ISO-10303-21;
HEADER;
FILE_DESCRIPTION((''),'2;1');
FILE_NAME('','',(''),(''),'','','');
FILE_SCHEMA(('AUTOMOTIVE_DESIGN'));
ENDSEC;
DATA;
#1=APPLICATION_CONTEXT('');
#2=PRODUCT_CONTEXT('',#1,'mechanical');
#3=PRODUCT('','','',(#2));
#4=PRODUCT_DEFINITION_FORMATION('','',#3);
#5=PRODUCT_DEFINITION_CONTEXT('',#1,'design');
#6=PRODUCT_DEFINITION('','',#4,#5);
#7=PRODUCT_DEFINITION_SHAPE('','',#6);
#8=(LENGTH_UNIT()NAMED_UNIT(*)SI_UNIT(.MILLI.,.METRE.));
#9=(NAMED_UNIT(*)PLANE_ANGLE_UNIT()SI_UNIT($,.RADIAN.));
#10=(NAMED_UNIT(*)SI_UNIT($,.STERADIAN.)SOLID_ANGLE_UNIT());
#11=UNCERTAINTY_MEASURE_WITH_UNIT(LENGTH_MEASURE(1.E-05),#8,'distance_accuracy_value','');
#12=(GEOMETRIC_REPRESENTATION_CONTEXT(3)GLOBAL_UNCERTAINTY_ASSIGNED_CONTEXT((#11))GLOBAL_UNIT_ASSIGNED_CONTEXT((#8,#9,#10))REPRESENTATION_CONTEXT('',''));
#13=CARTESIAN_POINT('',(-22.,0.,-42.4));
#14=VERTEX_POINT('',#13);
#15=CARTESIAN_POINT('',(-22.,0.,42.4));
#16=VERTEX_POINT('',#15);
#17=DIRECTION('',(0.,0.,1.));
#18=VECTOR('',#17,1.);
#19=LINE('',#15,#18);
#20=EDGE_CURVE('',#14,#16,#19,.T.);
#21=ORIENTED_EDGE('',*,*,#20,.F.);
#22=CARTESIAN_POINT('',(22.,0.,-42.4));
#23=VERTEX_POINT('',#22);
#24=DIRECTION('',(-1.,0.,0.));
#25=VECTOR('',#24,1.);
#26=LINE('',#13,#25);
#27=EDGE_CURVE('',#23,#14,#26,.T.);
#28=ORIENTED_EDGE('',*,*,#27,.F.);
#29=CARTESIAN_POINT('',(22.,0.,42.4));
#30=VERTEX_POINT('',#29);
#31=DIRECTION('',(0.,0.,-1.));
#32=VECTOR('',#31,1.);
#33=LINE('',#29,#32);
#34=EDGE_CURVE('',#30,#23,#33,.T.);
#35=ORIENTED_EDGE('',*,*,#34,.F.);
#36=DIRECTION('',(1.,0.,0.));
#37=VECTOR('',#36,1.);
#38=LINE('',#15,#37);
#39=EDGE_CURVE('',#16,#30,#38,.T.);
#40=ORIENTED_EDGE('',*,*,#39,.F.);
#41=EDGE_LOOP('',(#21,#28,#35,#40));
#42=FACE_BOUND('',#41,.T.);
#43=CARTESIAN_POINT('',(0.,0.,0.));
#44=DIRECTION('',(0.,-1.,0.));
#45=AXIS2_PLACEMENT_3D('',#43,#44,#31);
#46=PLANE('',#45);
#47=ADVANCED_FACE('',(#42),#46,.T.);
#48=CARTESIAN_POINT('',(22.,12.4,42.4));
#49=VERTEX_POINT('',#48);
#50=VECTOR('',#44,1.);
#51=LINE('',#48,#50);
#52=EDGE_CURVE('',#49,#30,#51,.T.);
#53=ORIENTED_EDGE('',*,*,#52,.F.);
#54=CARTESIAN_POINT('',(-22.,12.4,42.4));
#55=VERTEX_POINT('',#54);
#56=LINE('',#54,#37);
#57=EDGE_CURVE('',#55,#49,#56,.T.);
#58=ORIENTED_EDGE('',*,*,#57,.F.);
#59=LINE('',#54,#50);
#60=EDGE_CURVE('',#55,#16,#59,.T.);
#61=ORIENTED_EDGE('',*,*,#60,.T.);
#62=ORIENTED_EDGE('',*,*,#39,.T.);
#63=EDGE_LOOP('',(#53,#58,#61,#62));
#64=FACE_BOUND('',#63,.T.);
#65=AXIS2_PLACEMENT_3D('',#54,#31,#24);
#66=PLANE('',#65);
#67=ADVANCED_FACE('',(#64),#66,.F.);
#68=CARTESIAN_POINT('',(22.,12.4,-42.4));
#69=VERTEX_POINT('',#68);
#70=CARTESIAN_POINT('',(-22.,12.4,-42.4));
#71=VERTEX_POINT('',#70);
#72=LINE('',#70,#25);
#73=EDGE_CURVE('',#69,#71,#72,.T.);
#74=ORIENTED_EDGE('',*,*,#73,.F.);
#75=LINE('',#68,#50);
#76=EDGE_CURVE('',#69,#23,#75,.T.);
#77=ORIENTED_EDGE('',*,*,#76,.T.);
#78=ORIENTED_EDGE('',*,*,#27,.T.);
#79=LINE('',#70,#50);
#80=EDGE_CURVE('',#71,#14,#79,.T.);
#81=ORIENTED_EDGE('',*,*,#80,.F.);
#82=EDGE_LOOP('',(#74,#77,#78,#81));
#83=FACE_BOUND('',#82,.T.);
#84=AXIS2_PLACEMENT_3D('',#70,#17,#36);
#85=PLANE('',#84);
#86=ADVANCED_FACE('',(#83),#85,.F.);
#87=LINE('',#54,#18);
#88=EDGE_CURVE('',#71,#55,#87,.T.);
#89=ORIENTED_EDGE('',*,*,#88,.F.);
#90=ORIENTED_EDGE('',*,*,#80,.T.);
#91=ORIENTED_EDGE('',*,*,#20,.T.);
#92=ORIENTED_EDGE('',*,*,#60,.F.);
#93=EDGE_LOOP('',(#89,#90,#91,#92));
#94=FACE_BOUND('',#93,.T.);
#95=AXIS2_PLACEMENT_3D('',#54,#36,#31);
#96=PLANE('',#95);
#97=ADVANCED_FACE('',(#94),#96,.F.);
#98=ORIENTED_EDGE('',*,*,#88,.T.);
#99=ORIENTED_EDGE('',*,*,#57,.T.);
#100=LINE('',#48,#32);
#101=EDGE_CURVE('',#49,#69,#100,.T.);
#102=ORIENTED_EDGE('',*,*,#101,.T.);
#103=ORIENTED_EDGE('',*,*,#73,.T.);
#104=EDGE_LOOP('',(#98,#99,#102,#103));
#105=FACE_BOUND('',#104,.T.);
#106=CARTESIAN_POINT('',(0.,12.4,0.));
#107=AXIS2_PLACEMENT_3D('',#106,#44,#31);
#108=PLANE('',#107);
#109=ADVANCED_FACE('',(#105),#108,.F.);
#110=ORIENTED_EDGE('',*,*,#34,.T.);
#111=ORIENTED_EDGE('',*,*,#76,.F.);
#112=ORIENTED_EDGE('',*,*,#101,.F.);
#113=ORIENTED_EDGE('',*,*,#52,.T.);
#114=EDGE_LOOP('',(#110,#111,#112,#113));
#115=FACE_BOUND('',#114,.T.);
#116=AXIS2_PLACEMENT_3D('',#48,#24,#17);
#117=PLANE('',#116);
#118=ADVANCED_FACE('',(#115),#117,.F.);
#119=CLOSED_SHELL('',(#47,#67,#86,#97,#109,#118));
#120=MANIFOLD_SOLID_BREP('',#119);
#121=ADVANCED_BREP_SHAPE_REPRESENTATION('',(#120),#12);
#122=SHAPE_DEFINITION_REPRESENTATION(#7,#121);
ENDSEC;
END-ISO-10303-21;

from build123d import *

# Parameters (mm, degrees)
SKETCH_1_W      = 44
SKETCH_1_H      = 84.8
EXTRUDE_1_DEPTH = 12.4


with BuildPart() as part:
    # 草图1 → 凸台-拉伸1 (new body)
    with BuildSketch(Plane(origin=(0, 0, 0), x_dir=(1, 0, 0), z_dir=(0, 1, 0))):
        Rectangle(SKETCH_1_W, SKETCH_1_H)
    extrude(amount=EXTRUDE_1_DEPTH)


solid = part.part
